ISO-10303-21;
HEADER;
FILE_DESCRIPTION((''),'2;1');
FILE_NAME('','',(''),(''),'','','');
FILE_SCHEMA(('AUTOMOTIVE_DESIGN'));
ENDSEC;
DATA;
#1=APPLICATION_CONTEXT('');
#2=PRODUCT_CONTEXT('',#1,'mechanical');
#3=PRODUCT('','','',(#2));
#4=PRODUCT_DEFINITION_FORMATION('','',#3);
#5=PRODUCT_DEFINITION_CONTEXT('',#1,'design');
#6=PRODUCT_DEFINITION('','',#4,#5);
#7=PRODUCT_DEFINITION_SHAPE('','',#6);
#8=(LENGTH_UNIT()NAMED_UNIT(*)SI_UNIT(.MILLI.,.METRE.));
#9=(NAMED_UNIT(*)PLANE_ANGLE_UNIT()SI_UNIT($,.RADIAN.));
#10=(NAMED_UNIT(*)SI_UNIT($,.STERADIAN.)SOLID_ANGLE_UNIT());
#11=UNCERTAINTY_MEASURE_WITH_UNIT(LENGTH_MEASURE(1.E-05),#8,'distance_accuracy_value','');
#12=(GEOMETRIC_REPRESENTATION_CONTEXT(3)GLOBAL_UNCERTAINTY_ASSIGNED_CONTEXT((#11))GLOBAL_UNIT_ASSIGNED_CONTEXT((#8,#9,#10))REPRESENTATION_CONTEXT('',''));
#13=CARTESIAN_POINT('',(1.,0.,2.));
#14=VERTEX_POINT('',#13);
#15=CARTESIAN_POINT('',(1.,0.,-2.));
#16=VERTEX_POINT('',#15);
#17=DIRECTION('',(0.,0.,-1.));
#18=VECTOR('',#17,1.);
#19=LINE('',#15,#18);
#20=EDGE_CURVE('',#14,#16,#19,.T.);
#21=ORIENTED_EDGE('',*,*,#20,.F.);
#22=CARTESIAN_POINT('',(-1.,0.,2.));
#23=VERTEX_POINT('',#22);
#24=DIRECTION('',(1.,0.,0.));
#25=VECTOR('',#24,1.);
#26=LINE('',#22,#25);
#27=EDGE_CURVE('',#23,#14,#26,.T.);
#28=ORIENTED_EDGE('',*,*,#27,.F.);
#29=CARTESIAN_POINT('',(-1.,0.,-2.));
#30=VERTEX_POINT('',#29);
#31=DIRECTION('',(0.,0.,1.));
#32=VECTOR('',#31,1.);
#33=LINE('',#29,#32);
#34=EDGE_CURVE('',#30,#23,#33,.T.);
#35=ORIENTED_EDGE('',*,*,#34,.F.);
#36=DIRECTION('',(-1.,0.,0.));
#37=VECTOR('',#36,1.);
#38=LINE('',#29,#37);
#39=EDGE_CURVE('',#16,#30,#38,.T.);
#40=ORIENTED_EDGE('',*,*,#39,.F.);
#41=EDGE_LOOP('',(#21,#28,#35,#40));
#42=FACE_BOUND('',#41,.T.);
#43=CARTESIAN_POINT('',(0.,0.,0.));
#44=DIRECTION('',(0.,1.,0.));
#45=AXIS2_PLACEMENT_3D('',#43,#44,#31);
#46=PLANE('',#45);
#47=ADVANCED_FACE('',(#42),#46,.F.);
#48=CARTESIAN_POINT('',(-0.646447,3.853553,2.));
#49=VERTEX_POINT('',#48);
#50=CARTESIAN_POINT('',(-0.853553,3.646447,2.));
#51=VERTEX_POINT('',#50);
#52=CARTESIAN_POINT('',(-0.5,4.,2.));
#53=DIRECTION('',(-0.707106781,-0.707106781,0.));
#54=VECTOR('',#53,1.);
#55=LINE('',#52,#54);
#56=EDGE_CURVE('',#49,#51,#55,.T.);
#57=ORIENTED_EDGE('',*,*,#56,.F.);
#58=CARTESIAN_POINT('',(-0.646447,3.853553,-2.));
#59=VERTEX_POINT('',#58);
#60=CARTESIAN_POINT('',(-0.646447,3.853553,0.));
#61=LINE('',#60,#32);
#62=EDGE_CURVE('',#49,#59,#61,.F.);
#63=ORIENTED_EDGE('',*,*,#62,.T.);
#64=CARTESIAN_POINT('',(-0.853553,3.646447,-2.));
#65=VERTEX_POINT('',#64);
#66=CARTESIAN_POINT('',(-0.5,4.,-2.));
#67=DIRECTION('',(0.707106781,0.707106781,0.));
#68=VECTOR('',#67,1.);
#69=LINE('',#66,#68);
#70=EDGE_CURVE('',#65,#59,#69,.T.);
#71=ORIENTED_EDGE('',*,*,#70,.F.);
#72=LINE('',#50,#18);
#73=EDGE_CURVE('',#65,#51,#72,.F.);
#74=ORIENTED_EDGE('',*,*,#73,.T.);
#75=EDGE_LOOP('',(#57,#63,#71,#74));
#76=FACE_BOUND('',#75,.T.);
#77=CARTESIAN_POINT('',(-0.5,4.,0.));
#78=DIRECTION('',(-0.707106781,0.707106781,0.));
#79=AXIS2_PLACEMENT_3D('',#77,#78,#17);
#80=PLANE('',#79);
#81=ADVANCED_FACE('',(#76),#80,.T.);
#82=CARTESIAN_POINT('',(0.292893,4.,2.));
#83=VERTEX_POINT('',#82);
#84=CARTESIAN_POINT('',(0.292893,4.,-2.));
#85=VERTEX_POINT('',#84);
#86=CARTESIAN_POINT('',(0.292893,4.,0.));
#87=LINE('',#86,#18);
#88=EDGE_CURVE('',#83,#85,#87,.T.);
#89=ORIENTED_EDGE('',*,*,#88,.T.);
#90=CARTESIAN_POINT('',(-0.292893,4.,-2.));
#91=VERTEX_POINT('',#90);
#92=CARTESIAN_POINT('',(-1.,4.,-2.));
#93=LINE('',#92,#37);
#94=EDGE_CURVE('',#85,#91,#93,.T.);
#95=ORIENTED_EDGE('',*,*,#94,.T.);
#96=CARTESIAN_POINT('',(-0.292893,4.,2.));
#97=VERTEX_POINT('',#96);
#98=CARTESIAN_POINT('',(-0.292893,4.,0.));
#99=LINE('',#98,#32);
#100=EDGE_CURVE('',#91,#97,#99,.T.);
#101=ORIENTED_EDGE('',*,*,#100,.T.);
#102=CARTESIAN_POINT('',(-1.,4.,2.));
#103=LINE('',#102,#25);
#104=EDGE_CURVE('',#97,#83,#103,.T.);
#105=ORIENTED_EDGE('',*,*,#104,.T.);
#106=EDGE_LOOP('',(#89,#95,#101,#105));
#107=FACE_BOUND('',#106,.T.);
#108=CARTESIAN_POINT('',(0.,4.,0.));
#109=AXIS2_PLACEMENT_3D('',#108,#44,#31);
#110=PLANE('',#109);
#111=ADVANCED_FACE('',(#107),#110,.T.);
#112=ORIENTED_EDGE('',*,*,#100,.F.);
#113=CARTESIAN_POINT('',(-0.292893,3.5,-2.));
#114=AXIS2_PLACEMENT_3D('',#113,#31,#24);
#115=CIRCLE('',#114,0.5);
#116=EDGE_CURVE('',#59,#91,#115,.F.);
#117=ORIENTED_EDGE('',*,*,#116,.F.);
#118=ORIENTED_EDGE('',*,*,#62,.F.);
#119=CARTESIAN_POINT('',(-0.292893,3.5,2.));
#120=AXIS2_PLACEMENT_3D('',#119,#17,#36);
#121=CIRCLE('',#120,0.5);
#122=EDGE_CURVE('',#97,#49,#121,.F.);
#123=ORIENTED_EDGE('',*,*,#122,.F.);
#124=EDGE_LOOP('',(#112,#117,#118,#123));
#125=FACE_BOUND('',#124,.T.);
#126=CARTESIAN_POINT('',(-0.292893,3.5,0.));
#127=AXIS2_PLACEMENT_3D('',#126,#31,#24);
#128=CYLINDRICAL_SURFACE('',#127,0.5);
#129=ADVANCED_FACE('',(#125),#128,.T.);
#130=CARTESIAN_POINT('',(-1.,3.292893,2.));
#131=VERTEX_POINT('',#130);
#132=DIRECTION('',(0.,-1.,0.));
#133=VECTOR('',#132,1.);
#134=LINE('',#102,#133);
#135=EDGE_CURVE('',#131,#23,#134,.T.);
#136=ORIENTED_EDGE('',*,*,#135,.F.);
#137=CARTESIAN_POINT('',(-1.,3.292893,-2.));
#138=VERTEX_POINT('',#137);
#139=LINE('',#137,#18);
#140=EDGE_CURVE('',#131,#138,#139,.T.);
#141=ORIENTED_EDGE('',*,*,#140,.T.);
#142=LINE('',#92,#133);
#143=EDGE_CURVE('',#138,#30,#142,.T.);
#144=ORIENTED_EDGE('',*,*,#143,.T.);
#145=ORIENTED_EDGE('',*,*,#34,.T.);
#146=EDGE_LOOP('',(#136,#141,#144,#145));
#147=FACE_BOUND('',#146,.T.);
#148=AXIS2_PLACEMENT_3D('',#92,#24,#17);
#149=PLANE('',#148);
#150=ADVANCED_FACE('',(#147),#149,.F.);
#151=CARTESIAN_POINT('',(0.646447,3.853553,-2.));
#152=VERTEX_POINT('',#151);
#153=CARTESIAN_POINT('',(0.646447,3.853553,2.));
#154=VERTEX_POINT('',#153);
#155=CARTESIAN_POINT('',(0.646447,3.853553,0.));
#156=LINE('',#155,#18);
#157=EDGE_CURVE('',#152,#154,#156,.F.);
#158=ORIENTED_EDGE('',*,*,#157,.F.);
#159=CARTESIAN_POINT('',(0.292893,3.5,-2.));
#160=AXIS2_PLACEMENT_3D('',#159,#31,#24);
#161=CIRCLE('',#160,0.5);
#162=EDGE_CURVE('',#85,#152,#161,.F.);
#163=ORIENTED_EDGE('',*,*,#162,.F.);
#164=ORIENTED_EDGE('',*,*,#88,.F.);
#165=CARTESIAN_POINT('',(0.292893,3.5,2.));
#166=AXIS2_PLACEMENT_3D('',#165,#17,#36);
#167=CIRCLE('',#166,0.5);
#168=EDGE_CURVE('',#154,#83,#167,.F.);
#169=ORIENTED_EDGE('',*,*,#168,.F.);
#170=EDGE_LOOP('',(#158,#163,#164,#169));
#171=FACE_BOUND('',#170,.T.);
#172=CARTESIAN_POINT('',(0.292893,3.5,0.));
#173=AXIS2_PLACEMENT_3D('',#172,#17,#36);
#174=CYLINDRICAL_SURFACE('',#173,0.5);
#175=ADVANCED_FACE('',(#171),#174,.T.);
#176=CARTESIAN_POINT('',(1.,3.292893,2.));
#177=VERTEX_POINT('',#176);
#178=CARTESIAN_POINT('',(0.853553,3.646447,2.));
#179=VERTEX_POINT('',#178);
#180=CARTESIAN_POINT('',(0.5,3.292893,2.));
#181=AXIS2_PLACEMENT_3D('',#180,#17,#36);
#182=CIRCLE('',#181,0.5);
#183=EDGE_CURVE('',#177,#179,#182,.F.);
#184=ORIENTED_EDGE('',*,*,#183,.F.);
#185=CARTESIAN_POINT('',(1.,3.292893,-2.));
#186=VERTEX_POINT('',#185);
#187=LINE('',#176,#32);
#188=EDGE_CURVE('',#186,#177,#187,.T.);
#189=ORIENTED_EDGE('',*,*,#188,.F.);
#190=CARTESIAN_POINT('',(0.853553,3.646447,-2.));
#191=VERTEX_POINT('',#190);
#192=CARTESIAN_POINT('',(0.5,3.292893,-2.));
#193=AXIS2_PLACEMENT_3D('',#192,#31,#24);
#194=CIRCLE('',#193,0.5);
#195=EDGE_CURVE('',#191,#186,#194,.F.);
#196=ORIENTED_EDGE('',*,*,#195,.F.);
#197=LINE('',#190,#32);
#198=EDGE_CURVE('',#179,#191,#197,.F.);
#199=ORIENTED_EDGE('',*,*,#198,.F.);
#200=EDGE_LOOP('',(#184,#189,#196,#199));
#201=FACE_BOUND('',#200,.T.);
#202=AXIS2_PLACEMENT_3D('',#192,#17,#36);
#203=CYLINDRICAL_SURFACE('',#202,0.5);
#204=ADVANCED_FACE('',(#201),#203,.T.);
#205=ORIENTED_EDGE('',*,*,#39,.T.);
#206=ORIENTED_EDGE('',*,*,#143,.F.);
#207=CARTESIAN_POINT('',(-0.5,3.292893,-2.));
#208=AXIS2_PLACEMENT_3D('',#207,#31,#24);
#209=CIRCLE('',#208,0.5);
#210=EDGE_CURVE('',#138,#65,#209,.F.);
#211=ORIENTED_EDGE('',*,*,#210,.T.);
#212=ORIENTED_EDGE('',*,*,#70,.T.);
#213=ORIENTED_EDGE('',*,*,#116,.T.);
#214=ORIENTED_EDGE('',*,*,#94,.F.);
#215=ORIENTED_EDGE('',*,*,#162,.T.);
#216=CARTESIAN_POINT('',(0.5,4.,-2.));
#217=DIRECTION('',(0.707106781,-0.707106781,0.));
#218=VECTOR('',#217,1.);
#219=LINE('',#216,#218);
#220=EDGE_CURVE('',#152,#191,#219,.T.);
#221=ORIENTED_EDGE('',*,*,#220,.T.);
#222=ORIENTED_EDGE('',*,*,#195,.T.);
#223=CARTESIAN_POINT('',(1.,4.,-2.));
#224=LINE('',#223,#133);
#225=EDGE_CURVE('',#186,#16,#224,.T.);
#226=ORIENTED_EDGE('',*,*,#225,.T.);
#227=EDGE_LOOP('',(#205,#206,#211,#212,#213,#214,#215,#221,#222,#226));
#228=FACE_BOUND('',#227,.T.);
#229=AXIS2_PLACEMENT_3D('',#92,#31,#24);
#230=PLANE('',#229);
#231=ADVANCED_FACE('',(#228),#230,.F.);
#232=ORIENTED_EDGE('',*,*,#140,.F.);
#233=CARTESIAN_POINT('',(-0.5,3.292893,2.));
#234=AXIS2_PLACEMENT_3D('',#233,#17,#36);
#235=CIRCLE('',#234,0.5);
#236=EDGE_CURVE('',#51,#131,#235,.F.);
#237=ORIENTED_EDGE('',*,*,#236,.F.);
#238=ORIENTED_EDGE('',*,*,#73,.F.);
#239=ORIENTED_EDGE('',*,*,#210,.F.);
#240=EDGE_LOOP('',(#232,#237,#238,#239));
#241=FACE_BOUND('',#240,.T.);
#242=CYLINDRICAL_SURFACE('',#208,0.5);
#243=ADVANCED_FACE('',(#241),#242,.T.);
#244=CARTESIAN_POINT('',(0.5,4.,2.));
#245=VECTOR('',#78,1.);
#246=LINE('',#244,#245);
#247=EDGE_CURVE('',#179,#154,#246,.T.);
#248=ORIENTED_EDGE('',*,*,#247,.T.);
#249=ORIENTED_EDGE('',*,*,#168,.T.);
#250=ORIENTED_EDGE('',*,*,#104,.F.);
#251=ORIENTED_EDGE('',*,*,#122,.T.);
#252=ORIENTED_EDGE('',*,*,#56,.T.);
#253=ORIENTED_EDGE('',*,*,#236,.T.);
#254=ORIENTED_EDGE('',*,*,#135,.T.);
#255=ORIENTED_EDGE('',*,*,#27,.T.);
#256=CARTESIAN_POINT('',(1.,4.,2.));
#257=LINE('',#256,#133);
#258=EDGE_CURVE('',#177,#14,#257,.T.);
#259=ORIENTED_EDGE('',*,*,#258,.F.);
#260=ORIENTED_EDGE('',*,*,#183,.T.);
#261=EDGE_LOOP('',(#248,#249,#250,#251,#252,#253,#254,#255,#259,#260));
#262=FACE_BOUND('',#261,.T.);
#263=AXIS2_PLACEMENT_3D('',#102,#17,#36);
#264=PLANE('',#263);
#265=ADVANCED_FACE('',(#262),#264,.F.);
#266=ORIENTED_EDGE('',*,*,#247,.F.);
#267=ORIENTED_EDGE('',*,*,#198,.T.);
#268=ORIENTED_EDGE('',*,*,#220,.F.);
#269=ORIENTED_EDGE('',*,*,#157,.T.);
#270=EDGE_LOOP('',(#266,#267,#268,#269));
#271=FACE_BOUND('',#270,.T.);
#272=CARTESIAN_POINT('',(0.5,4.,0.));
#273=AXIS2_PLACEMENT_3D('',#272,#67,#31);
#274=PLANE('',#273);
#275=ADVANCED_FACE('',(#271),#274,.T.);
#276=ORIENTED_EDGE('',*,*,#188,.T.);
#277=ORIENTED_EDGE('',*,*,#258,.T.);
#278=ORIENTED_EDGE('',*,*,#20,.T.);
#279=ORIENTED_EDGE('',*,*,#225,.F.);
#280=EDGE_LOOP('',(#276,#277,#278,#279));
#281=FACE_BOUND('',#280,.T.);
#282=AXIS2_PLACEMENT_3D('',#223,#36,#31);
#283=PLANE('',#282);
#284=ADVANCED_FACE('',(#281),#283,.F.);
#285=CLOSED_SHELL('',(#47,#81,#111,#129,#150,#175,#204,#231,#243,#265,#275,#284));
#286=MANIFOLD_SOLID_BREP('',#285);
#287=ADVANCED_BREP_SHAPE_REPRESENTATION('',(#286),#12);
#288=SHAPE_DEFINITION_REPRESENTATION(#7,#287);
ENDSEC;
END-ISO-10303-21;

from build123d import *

# Parameters (mm, degrees)
SKETCH1_W           = 2
SKETCH1_H           = 4
BOSS_EXTRUDE1_DEPTH = 4
CHAMFER1_SIZE       = 0.5
FILLET1_R           = 0.5


with BuildPart() as part:
    # Sketch1 → Boss-Extrude1 (new body)
    with BuildSketch(Plane(origin=(0, 0, 0), x_dir=(1, 0, 0), z_dir=(0, 1, 0))):
        Rectangle(SKETCH1_W, SKETCH1_H)
    extrude(amount=BOSS_EXTRUDE1_DEPTH)

    # Chamfer1
    chamfer1_edges = [part.edges().sort_by_distance(p)[0] for p in [
        (-1, 4, 0),
        (1, 4, 0),
    ]]
    chamfer(chamfer1_edges, length=CHAMFER1_SIZE)

    # Fillet1
    fillet1_edges = [part.edges().sort_by_distance(p)[0] for p in [
        (0.5, 4, 0),
        (-0.5, 4, 0),
        (-1, 3.5, 0),
        (1, 3.5, 0),
    ]]
    fillet(fillet1_edges, radius=FILLET1_R)


solid = part.part
